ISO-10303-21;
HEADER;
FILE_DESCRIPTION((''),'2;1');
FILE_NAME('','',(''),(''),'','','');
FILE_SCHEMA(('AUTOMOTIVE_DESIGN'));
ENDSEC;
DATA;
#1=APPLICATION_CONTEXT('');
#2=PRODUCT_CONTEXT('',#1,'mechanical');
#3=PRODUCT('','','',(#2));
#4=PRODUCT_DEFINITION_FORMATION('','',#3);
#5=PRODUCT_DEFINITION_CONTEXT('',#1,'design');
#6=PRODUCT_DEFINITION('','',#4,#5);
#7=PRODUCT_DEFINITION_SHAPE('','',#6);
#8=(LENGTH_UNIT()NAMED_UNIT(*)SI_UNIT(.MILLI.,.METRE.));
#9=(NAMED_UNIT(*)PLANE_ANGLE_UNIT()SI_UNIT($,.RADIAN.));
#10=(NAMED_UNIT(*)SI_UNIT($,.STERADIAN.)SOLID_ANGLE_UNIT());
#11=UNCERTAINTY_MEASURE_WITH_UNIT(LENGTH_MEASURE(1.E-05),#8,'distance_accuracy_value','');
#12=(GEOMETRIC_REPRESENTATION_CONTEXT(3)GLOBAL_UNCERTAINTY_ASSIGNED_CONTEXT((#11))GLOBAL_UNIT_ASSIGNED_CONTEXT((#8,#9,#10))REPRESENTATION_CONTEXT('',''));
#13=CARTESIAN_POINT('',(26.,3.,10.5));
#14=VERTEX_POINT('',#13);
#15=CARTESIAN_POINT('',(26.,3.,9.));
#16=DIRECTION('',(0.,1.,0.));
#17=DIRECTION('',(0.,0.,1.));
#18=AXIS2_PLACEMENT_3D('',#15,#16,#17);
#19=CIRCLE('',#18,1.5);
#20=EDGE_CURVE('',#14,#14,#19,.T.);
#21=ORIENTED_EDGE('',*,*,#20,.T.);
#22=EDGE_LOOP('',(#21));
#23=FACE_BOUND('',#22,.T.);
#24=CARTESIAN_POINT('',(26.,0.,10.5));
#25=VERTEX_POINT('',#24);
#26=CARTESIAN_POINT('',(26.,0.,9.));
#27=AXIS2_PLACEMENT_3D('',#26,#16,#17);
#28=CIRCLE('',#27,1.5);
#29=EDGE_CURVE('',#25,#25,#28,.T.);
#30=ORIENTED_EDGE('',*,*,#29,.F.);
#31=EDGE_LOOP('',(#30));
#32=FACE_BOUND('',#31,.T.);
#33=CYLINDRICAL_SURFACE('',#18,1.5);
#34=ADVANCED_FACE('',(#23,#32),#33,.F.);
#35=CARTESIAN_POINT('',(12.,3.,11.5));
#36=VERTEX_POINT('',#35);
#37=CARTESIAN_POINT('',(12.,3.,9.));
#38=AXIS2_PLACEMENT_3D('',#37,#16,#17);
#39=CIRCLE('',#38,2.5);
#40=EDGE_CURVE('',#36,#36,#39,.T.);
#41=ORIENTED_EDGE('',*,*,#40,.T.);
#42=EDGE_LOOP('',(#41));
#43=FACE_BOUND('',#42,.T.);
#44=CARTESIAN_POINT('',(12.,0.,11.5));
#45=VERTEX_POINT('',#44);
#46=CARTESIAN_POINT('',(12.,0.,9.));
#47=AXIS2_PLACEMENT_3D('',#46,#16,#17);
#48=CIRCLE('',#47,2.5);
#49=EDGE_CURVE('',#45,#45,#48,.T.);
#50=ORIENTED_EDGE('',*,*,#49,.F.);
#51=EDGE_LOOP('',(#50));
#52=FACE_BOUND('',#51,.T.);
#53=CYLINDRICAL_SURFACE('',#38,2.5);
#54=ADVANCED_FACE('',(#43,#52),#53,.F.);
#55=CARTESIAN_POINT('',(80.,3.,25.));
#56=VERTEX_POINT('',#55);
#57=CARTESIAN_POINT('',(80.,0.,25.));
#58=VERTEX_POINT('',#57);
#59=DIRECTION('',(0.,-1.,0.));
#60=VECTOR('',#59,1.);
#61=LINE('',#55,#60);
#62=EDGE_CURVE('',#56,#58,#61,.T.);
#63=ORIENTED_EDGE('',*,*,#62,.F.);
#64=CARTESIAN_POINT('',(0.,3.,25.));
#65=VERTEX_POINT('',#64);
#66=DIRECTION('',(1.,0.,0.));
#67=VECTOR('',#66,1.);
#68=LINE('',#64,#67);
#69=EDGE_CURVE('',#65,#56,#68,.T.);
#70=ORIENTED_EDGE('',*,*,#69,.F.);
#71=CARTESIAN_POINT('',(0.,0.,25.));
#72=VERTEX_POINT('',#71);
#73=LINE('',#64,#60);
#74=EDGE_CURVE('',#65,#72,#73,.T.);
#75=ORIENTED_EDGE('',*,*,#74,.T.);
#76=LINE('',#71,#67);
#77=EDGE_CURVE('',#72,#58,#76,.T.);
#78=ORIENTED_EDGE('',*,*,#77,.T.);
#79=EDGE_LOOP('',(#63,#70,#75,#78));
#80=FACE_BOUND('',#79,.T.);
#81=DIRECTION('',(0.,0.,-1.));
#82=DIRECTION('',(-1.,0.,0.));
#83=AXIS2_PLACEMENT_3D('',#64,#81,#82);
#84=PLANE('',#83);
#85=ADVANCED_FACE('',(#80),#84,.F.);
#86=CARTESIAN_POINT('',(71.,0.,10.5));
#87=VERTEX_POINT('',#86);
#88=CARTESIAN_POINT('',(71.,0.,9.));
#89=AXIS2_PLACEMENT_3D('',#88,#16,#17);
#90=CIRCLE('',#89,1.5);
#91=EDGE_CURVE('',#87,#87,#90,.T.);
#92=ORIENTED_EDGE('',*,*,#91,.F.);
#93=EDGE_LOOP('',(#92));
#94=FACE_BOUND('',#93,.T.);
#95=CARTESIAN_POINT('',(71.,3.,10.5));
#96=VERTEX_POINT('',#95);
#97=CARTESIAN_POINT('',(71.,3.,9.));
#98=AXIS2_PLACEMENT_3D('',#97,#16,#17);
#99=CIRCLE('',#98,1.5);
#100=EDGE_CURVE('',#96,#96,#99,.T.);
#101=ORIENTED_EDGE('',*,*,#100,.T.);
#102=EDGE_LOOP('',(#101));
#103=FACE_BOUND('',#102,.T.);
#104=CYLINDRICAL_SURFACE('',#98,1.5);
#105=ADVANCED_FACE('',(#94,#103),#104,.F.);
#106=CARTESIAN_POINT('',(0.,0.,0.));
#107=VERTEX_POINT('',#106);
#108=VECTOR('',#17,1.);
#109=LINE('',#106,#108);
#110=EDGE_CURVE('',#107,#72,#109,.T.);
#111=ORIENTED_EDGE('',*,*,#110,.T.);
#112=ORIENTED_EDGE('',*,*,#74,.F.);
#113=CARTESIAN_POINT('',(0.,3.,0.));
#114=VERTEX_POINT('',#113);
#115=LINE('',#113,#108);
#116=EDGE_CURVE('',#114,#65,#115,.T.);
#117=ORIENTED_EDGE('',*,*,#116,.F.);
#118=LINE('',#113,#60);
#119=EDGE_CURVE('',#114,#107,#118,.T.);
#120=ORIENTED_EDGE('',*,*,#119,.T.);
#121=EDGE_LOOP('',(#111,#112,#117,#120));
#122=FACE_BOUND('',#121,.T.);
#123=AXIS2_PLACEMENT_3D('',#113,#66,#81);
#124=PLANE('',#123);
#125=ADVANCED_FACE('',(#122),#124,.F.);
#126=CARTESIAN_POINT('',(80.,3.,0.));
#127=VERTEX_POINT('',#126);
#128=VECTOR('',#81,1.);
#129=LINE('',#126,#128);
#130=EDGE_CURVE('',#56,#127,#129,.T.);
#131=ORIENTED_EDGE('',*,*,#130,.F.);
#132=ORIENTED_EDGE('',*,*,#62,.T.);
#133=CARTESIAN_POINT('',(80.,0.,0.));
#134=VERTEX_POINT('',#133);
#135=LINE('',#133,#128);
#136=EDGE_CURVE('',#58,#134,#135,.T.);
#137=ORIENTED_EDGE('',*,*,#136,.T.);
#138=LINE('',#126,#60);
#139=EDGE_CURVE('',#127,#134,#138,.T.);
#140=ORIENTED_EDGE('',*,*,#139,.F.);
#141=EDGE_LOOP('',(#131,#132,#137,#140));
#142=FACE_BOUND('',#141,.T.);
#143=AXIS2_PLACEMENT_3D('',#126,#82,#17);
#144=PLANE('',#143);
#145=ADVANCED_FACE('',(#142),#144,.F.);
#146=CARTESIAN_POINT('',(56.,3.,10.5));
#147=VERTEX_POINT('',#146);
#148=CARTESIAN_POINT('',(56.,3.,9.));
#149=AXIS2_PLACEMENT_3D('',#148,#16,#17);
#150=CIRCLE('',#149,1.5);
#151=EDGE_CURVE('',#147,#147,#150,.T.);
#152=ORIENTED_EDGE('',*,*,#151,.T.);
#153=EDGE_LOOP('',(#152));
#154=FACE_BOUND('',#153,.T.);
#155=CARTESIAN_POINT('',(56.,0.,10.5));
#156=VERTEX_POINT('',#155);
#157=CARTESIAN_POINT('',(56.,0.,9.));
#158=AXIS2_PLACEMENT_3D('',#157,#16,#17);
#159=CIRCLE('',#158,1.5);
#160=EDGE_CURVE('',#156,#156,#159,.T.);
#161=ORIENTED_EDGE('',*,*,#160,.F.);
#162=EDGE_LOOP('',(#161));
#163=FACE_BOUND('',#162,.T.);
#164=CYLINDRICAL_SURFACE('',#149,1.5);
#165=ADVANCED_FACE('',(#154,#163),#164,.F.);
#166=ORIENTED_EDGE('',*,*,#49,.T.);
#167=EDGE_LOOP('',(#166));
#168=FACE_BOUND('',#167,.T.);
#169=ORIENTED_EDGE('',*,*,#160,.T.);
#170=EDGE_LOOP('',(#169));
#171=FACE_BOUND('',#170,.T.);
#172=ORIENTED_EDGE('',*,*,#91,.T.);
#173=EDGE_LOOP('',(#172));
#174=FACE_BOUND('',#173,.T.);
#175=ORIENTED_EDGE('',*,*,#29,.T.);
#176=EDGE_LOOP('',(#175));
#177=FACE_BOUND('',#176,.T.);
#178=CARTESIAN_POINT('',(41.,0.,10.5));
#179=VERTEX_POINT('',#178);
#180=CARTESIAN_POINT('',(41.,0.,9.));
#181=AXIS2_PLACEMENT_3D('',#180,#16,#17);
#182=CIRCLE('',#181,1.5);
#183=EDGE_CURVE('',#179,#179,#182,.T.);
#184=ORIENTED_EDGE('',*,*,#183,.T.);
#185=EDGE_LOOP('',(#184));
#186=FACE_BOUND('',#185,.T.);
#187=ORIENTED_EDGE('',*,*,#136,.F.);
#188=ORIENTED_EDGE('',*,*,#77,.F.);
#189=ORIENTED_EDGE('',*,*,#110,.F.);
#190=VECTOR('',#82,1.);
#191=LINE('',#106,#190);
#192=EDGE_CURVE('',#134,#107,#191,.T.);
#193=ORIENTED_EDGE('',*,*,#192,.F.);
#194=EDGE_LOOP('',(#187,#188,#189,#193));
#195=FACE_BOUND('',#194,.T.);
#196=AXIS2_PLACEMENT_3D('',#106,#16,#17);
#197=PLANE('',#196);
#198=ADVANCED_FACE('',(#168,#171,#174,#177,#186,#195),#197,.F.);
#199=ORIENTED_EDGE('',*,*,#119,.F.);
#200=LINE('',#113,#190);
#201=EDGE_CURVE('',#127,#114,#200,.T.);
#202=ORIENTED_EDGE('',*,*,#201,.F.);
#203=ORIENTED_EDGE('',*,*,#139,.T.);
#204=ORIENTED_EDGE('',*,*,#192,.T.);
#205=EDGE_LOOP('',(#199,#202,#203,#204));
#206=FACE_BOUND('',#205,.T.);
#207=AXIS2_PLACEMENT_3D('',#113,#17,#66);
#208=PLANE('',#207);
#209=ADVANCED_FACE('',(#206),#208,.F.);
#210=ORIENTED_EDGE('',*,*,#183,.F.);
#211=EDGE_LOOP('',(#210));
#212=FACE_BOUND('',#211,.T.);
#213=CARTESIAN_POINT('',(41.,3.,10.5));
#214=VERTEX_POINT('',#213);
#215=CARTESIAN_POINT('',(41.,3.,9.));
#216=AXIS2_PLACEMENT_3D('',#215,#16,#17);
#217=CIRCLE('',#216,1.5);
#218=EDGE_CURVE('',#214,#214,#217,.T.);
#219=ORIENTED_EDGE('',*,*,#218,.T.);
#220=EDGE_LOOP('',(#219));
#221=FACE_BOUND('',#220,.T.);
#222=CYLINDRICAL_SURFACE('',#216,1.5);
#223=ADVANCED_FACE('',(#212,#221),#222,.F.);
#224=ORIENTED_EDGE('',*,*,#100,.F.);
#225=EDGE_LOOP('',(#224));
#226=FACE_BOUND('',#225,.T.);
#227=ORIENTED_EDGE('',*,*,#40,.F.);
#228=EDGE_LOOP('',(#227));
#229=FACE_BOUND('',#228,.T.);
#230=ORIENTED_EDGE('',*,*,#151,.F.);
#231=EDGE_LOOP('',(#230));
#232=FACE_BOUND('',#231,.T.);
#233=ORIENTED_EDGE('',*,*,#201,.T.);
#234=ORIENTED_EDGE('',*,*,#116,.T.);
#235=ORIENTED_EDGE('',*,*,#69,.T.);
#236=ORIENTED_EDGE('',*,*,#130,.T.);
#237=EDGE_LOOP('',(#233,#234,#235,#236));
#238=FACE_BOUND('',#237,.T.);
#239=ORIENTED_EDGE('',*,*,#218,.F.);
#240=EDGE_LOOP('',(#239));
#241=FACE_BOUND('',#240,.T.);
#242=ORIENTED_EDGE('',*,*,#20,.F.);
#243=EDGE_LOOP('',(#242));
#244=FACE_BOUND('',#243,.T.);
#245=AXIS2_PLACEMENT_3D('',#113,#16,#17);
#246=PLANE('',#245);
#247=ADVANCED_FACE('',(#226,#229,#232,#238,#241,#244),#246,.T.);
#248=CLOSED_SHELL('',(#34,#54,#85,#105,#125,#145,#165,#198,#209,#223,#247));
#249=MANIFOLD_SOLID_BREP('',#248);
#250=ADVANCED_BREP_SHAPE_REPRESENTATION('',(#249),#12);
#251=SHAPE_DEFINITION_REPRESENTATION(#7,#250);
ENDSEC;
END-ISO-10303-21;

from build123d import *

# Parameters (mm, degrees)
SKETCH1_W                   = 80
SKETCH1_H                   = 25
BOSS_EXTRUDE1_DEPTH         = 3
F_3_0MM_PRESS_DOWEL_HOLE1_D = 3
F_5_0MM_PRESS_DOWEL_HOLE1_D = 5


with BuildPart() as part:
    # Sketch1 → Boss-Extrude1 (new body)
    with BuildSketch(Plane(origin=(0, 0, 0), x_dir=(1, 0, 0), z_dir=(0, 1, 0))):
        with Locations((40, -12.5)):
            Rectangle(SKETCH1_W, SKETCH1_H)
    extrude(amount=BOSS_EXTRUDE1_DEPTH)

    # Ø3.0mm Press Dowel Hole1 (through all)
    with Locations(Plane(origin=(0, 3, 0), x_dir=(1, 0, 0), z_dir=(0, 1, 0))):
        with Locations((71, -9), (56, -9), (41, -9), (26, -9)):
            Hole(F_3_0MM_PRESS_DOWEL_HOLE1_D / 2)

    # Ø5.0mm Press Dowel Hole1 (through all)
    with Locations(Plane(origin=(0, 3, 0), x_dir=(1, 0, 0), z_dir=(0, 1, 0))):
        with Locations((12, -9)):
            Hole(F_5_0MM_PRESS_DOWEL_HOLE1_D / 2)


solid = part.part
